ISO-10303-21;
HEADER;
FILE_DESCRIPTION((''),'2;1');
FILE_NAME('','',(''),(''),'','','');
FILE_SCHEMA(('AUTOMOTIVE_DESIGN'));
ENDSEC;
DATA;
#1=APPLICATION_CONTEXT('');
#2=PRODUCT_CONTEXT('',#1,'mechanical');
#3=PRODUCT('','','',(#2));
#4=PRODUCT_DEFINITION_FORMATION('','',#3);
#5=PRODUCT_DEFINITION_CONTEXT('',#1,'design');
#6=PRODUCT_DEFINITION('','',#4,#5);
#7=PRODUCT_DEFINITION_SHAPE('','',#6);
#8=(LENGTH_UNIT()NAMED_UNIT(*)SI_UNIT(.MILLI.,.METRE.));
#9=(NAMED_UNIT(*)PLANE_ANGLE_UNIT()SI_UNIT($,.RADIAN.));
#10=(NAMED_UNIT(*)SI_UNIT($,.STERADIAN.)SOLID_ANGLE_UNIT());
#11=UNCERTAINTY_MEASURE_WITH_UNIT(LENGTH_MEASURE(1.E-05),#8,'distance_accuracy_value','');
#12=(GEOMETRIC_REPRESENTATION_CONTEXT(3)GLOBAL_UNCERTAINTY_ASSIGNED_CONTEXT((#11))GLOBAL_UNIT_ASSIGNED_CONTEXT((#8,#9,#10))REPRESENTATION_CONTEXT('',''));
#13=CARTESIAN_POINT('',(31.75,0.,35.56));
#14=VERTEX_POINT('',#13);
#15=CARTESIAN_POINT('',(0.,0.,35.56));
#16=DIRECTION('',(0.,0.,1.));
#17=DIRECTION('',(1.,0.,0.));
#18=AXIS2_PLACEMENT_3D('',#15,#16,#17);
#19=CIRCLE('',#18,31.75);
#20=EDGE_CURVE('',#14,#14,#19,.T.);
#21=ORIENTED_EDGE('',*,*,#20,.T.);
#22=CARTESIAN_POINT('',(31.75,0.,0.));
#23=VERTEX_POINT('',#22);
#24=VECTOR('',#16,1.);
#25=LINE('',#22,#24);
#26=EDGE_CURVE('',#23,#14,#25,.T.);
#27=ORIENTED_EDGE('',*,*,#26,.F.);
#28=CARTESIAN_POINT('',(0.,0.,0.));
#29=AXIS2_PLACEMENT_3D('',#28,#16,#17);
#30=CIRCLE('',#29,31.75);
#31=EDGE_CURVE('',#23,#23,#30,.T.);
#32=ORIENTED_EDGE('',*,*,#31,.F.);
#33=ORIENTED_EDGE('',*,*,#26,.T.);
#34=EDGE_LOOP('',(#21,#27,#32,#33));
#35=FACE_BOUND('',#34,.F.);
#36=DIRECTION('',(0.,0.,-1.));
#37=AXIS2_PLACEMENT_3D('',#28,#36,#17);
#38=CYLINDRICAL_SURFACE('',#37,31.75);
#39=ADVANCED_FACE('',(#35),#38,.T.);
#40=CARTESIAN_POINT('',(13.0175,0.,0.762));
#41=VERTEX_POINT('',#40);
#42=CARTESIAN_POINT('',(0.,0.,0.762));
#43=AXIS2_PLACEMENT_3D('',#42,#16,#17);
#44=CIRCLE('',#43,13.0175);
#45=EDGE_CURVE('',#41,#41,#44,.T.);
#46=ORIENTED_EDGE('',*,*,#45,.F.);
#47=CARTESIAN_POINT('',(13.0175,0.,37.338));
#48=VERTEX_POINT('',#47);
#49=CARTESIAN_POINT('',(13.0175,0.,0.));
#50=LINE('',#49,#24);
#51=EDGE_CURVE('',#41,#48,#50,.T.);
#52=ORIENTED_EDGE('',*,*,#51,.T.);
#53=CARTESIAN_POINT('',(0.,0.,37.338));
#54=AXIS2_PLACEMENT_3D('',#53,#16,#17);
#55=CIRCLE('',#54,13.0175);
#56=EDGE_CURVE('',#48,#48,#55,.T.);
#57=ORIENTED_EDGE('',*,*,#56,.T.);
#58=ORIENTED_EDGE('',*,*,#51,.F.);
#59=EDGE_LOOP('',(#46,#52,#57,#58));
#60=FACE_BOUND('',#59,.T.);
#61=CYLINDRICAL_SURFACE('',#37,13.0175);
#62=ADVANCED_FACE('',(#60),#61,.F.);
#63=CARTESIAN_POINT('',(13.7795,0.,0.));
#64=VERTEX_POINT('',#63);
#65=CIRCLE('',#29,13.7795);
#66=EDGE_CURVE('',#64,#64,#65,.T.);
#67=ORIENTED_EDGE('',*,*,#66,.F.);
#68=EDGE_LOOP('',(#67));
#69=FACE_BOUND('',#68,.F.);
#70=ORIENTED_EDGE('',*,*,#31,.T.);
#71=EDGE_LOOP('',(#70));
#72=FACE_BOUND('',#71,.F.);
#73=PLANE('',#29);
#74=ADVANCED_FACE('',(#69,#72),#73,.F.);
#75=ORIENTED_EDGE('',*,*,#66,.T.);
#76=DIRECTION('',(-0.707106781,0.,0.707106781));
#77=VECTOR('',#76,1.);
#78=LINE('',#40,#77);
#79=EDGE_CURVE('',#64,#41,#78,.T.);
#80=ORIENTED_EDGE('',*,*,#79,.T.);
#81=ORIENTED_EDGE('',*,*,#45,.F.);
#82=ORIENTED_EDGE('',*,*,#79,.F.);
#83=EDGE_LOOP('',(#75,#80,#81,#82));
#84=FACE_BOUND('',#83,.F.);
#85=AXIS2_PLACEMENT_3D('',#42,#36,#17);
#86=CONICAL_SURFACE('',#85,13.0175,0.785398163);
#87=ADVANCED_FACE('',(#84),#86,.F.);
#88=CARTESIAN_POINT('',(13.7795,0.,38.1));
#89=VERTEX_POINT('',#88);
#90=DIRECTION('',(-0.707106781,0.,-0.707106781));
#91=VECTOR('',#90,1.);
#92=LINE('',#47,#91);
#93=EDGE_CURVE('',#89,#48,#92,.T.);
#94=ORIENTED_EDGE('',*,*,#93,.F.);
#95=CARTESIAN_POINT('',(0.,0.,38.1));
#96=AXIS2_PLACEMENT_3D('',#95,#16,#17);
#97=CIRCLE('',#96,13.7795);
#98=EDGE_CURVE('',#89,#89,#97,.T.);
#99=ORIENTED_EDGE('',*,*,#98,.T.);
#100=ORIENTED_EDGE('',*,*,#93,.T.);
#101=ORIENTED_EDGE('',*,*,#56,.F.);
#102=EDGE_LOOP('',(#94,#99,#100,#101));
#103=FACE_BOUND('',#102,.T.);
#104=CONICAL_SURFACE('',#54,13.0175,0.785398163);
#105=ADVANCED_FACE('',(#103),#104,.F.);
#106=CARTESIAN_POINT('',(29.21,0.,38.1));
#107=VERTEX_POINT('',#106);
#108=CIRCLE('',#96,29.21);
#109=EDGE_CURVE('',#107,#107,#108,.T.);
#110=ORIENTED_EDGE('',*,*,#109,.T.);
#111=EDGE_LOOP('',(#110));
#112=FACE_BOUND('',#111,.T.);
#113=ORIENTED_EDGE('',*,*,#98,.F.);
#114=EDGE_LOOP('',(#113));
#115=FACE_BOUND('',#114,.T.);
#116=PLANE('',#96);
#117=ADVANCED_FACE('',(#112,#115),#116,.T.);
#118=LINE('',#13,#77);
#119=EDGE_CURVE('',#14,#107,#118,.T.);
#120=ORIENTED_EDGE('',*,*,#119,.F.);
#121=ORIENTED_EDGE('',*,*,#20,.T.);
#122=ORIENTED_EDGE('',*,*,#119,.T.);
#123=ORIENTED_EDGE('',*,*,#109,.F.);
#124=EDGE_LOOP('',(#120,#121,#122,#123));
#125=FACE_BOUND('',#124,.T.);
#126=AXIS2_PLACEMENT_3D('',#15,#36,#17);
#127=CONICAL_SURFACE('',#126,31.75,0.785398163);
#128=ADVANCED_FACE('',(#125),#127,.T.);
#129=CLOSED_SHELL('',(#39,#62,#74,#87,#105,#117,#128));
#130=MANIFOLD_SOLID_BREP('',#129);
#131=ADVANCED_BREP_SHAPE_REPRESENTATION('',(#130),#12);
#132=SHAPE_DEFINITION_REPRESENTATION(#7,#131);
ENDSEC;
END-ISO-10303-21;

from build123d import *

# Parameters (mm, degrees)
F0_R     = 31.75
F0_R_2   = 13.0175
F1_DEPTH = 38.1
F2_SIZE  = 2.54
F3_SIZE  = 0.762


with BuildPart() as f1:
    # F0 (on Top) → F1 (new body)
    with BuildSketch(Plane.XY):
        Circle(F0_R)
        Circle(F0_R_2, mode=Mode.SUBTRACT)
    extrude(amount=F1_DEPTH)

    # F2
    f2_edges = [f1.edges().sort_by_distance(p)[0] for p in [
        (-31.75, 0, 38.1),
    ]]
    chamfer(f2_edges, length=F2_SIZE)

    # F3
    f3_edges = [f1.edges().sort_by_distance(p)[0] for p in [
        (-13.0175, 0, 38.1),
        (-13.0175, 0, 0),
    ]]
    chamfer(f3_edges, length=F3_SIZE)


solid = f1.part
